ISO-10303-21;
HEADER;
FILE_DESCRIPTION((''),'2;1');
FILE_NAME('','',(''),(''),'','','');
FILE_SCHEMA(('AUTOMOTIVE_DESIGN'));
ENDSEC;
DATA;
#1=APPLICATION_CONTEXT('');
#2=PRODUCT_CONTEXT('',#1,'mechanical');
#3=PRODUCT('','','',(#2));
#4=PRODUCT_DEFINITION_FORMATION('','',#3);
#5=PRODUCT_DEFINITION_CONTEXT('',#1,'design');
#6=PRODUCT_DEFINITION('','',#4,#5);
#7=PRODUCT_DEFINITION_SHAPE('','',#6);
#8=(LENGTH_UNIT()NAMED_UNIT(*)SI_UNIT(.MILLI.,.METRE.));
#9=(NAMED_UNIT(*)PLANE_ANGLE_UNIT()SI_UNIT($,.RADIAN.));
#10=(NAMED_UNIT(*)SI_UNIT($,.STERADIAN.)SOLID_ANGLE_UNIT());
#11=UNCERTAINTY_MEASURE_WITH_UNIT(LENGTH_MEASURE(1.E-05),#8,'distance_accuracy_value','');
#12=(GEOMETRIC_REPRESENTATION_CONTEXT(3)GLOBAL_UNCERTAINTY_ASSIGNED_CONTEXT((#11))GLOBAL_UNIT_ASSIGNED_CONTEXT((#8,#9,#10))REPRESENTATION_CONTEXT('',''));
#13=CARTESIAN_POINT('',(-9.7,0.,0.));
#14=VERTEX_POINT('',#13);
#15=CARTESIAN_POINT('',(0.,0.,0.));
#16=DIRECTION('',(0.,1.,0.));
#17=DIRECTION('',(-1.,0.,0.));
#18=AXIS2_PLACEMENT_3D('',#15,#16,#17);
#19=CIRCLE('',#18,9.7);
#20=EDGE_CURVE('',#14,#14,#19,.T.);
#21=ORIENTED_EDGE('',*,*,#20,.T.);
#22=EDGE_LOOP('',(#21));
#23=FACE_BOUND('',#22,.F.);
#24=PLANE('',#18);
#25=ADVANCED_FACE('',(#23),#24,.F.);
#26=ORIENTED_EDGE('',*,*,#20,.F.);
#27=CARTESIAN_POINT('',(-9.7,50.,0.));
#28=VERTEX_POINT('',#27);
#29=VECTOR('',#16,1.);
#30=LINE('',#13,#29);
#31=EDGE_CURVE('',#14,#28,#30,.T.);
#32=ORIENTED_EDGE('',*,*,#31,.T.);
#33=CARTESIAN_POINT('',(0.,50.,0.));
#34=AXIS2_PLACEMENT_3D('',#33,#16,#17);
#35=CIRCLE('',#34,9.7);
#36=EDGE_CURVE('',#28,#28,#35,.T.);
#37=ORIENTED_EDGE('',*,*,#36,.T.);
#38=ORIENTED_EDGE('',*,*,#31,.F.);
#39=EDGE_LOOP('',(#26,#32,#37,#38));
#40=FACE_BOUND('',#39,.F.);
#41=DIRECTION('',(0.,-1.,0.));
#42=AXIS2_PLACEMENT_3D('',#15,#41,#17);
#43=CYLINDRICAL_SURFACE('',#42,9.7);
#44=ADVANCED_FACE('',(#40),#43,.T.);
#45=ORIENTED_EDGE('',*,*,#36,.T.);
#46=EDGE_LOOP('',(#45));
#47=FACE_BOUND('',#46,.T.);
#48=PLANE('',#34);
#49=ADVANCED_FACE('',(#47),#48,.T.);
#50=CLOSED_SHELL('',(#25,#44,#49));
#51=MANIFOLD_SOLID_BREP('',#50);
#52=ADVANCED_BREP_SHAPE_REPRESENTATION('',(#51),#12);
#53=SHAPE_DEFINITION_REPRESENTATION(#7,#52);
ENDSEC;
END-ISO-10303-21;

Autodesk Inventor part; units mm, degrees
ref_plane "YZ Plane" through (0, 0, 0) normal (1, 0, 0) x (0, 1, 0)
ref_plane "XZ Plane" through (0, 0, 0) normal (0, 1, 0) x (-1, 0, 0)
ref_plane "XY Plane" through (0, 0, 0) normal (0, 0, 1) x (1, 0, 0)
sketch "Sketch1" plane through (0, 0, 0) normal (0, 1, 0) x (-1, 0, 0)
  circle A0 centre (0, 0) radius 9.7
  dimension "d0" = 19.4
extrude "Extrusion1" add sketch "Sketch1" along normal blind 50
properties part number "collision_cylinder_9_7"
